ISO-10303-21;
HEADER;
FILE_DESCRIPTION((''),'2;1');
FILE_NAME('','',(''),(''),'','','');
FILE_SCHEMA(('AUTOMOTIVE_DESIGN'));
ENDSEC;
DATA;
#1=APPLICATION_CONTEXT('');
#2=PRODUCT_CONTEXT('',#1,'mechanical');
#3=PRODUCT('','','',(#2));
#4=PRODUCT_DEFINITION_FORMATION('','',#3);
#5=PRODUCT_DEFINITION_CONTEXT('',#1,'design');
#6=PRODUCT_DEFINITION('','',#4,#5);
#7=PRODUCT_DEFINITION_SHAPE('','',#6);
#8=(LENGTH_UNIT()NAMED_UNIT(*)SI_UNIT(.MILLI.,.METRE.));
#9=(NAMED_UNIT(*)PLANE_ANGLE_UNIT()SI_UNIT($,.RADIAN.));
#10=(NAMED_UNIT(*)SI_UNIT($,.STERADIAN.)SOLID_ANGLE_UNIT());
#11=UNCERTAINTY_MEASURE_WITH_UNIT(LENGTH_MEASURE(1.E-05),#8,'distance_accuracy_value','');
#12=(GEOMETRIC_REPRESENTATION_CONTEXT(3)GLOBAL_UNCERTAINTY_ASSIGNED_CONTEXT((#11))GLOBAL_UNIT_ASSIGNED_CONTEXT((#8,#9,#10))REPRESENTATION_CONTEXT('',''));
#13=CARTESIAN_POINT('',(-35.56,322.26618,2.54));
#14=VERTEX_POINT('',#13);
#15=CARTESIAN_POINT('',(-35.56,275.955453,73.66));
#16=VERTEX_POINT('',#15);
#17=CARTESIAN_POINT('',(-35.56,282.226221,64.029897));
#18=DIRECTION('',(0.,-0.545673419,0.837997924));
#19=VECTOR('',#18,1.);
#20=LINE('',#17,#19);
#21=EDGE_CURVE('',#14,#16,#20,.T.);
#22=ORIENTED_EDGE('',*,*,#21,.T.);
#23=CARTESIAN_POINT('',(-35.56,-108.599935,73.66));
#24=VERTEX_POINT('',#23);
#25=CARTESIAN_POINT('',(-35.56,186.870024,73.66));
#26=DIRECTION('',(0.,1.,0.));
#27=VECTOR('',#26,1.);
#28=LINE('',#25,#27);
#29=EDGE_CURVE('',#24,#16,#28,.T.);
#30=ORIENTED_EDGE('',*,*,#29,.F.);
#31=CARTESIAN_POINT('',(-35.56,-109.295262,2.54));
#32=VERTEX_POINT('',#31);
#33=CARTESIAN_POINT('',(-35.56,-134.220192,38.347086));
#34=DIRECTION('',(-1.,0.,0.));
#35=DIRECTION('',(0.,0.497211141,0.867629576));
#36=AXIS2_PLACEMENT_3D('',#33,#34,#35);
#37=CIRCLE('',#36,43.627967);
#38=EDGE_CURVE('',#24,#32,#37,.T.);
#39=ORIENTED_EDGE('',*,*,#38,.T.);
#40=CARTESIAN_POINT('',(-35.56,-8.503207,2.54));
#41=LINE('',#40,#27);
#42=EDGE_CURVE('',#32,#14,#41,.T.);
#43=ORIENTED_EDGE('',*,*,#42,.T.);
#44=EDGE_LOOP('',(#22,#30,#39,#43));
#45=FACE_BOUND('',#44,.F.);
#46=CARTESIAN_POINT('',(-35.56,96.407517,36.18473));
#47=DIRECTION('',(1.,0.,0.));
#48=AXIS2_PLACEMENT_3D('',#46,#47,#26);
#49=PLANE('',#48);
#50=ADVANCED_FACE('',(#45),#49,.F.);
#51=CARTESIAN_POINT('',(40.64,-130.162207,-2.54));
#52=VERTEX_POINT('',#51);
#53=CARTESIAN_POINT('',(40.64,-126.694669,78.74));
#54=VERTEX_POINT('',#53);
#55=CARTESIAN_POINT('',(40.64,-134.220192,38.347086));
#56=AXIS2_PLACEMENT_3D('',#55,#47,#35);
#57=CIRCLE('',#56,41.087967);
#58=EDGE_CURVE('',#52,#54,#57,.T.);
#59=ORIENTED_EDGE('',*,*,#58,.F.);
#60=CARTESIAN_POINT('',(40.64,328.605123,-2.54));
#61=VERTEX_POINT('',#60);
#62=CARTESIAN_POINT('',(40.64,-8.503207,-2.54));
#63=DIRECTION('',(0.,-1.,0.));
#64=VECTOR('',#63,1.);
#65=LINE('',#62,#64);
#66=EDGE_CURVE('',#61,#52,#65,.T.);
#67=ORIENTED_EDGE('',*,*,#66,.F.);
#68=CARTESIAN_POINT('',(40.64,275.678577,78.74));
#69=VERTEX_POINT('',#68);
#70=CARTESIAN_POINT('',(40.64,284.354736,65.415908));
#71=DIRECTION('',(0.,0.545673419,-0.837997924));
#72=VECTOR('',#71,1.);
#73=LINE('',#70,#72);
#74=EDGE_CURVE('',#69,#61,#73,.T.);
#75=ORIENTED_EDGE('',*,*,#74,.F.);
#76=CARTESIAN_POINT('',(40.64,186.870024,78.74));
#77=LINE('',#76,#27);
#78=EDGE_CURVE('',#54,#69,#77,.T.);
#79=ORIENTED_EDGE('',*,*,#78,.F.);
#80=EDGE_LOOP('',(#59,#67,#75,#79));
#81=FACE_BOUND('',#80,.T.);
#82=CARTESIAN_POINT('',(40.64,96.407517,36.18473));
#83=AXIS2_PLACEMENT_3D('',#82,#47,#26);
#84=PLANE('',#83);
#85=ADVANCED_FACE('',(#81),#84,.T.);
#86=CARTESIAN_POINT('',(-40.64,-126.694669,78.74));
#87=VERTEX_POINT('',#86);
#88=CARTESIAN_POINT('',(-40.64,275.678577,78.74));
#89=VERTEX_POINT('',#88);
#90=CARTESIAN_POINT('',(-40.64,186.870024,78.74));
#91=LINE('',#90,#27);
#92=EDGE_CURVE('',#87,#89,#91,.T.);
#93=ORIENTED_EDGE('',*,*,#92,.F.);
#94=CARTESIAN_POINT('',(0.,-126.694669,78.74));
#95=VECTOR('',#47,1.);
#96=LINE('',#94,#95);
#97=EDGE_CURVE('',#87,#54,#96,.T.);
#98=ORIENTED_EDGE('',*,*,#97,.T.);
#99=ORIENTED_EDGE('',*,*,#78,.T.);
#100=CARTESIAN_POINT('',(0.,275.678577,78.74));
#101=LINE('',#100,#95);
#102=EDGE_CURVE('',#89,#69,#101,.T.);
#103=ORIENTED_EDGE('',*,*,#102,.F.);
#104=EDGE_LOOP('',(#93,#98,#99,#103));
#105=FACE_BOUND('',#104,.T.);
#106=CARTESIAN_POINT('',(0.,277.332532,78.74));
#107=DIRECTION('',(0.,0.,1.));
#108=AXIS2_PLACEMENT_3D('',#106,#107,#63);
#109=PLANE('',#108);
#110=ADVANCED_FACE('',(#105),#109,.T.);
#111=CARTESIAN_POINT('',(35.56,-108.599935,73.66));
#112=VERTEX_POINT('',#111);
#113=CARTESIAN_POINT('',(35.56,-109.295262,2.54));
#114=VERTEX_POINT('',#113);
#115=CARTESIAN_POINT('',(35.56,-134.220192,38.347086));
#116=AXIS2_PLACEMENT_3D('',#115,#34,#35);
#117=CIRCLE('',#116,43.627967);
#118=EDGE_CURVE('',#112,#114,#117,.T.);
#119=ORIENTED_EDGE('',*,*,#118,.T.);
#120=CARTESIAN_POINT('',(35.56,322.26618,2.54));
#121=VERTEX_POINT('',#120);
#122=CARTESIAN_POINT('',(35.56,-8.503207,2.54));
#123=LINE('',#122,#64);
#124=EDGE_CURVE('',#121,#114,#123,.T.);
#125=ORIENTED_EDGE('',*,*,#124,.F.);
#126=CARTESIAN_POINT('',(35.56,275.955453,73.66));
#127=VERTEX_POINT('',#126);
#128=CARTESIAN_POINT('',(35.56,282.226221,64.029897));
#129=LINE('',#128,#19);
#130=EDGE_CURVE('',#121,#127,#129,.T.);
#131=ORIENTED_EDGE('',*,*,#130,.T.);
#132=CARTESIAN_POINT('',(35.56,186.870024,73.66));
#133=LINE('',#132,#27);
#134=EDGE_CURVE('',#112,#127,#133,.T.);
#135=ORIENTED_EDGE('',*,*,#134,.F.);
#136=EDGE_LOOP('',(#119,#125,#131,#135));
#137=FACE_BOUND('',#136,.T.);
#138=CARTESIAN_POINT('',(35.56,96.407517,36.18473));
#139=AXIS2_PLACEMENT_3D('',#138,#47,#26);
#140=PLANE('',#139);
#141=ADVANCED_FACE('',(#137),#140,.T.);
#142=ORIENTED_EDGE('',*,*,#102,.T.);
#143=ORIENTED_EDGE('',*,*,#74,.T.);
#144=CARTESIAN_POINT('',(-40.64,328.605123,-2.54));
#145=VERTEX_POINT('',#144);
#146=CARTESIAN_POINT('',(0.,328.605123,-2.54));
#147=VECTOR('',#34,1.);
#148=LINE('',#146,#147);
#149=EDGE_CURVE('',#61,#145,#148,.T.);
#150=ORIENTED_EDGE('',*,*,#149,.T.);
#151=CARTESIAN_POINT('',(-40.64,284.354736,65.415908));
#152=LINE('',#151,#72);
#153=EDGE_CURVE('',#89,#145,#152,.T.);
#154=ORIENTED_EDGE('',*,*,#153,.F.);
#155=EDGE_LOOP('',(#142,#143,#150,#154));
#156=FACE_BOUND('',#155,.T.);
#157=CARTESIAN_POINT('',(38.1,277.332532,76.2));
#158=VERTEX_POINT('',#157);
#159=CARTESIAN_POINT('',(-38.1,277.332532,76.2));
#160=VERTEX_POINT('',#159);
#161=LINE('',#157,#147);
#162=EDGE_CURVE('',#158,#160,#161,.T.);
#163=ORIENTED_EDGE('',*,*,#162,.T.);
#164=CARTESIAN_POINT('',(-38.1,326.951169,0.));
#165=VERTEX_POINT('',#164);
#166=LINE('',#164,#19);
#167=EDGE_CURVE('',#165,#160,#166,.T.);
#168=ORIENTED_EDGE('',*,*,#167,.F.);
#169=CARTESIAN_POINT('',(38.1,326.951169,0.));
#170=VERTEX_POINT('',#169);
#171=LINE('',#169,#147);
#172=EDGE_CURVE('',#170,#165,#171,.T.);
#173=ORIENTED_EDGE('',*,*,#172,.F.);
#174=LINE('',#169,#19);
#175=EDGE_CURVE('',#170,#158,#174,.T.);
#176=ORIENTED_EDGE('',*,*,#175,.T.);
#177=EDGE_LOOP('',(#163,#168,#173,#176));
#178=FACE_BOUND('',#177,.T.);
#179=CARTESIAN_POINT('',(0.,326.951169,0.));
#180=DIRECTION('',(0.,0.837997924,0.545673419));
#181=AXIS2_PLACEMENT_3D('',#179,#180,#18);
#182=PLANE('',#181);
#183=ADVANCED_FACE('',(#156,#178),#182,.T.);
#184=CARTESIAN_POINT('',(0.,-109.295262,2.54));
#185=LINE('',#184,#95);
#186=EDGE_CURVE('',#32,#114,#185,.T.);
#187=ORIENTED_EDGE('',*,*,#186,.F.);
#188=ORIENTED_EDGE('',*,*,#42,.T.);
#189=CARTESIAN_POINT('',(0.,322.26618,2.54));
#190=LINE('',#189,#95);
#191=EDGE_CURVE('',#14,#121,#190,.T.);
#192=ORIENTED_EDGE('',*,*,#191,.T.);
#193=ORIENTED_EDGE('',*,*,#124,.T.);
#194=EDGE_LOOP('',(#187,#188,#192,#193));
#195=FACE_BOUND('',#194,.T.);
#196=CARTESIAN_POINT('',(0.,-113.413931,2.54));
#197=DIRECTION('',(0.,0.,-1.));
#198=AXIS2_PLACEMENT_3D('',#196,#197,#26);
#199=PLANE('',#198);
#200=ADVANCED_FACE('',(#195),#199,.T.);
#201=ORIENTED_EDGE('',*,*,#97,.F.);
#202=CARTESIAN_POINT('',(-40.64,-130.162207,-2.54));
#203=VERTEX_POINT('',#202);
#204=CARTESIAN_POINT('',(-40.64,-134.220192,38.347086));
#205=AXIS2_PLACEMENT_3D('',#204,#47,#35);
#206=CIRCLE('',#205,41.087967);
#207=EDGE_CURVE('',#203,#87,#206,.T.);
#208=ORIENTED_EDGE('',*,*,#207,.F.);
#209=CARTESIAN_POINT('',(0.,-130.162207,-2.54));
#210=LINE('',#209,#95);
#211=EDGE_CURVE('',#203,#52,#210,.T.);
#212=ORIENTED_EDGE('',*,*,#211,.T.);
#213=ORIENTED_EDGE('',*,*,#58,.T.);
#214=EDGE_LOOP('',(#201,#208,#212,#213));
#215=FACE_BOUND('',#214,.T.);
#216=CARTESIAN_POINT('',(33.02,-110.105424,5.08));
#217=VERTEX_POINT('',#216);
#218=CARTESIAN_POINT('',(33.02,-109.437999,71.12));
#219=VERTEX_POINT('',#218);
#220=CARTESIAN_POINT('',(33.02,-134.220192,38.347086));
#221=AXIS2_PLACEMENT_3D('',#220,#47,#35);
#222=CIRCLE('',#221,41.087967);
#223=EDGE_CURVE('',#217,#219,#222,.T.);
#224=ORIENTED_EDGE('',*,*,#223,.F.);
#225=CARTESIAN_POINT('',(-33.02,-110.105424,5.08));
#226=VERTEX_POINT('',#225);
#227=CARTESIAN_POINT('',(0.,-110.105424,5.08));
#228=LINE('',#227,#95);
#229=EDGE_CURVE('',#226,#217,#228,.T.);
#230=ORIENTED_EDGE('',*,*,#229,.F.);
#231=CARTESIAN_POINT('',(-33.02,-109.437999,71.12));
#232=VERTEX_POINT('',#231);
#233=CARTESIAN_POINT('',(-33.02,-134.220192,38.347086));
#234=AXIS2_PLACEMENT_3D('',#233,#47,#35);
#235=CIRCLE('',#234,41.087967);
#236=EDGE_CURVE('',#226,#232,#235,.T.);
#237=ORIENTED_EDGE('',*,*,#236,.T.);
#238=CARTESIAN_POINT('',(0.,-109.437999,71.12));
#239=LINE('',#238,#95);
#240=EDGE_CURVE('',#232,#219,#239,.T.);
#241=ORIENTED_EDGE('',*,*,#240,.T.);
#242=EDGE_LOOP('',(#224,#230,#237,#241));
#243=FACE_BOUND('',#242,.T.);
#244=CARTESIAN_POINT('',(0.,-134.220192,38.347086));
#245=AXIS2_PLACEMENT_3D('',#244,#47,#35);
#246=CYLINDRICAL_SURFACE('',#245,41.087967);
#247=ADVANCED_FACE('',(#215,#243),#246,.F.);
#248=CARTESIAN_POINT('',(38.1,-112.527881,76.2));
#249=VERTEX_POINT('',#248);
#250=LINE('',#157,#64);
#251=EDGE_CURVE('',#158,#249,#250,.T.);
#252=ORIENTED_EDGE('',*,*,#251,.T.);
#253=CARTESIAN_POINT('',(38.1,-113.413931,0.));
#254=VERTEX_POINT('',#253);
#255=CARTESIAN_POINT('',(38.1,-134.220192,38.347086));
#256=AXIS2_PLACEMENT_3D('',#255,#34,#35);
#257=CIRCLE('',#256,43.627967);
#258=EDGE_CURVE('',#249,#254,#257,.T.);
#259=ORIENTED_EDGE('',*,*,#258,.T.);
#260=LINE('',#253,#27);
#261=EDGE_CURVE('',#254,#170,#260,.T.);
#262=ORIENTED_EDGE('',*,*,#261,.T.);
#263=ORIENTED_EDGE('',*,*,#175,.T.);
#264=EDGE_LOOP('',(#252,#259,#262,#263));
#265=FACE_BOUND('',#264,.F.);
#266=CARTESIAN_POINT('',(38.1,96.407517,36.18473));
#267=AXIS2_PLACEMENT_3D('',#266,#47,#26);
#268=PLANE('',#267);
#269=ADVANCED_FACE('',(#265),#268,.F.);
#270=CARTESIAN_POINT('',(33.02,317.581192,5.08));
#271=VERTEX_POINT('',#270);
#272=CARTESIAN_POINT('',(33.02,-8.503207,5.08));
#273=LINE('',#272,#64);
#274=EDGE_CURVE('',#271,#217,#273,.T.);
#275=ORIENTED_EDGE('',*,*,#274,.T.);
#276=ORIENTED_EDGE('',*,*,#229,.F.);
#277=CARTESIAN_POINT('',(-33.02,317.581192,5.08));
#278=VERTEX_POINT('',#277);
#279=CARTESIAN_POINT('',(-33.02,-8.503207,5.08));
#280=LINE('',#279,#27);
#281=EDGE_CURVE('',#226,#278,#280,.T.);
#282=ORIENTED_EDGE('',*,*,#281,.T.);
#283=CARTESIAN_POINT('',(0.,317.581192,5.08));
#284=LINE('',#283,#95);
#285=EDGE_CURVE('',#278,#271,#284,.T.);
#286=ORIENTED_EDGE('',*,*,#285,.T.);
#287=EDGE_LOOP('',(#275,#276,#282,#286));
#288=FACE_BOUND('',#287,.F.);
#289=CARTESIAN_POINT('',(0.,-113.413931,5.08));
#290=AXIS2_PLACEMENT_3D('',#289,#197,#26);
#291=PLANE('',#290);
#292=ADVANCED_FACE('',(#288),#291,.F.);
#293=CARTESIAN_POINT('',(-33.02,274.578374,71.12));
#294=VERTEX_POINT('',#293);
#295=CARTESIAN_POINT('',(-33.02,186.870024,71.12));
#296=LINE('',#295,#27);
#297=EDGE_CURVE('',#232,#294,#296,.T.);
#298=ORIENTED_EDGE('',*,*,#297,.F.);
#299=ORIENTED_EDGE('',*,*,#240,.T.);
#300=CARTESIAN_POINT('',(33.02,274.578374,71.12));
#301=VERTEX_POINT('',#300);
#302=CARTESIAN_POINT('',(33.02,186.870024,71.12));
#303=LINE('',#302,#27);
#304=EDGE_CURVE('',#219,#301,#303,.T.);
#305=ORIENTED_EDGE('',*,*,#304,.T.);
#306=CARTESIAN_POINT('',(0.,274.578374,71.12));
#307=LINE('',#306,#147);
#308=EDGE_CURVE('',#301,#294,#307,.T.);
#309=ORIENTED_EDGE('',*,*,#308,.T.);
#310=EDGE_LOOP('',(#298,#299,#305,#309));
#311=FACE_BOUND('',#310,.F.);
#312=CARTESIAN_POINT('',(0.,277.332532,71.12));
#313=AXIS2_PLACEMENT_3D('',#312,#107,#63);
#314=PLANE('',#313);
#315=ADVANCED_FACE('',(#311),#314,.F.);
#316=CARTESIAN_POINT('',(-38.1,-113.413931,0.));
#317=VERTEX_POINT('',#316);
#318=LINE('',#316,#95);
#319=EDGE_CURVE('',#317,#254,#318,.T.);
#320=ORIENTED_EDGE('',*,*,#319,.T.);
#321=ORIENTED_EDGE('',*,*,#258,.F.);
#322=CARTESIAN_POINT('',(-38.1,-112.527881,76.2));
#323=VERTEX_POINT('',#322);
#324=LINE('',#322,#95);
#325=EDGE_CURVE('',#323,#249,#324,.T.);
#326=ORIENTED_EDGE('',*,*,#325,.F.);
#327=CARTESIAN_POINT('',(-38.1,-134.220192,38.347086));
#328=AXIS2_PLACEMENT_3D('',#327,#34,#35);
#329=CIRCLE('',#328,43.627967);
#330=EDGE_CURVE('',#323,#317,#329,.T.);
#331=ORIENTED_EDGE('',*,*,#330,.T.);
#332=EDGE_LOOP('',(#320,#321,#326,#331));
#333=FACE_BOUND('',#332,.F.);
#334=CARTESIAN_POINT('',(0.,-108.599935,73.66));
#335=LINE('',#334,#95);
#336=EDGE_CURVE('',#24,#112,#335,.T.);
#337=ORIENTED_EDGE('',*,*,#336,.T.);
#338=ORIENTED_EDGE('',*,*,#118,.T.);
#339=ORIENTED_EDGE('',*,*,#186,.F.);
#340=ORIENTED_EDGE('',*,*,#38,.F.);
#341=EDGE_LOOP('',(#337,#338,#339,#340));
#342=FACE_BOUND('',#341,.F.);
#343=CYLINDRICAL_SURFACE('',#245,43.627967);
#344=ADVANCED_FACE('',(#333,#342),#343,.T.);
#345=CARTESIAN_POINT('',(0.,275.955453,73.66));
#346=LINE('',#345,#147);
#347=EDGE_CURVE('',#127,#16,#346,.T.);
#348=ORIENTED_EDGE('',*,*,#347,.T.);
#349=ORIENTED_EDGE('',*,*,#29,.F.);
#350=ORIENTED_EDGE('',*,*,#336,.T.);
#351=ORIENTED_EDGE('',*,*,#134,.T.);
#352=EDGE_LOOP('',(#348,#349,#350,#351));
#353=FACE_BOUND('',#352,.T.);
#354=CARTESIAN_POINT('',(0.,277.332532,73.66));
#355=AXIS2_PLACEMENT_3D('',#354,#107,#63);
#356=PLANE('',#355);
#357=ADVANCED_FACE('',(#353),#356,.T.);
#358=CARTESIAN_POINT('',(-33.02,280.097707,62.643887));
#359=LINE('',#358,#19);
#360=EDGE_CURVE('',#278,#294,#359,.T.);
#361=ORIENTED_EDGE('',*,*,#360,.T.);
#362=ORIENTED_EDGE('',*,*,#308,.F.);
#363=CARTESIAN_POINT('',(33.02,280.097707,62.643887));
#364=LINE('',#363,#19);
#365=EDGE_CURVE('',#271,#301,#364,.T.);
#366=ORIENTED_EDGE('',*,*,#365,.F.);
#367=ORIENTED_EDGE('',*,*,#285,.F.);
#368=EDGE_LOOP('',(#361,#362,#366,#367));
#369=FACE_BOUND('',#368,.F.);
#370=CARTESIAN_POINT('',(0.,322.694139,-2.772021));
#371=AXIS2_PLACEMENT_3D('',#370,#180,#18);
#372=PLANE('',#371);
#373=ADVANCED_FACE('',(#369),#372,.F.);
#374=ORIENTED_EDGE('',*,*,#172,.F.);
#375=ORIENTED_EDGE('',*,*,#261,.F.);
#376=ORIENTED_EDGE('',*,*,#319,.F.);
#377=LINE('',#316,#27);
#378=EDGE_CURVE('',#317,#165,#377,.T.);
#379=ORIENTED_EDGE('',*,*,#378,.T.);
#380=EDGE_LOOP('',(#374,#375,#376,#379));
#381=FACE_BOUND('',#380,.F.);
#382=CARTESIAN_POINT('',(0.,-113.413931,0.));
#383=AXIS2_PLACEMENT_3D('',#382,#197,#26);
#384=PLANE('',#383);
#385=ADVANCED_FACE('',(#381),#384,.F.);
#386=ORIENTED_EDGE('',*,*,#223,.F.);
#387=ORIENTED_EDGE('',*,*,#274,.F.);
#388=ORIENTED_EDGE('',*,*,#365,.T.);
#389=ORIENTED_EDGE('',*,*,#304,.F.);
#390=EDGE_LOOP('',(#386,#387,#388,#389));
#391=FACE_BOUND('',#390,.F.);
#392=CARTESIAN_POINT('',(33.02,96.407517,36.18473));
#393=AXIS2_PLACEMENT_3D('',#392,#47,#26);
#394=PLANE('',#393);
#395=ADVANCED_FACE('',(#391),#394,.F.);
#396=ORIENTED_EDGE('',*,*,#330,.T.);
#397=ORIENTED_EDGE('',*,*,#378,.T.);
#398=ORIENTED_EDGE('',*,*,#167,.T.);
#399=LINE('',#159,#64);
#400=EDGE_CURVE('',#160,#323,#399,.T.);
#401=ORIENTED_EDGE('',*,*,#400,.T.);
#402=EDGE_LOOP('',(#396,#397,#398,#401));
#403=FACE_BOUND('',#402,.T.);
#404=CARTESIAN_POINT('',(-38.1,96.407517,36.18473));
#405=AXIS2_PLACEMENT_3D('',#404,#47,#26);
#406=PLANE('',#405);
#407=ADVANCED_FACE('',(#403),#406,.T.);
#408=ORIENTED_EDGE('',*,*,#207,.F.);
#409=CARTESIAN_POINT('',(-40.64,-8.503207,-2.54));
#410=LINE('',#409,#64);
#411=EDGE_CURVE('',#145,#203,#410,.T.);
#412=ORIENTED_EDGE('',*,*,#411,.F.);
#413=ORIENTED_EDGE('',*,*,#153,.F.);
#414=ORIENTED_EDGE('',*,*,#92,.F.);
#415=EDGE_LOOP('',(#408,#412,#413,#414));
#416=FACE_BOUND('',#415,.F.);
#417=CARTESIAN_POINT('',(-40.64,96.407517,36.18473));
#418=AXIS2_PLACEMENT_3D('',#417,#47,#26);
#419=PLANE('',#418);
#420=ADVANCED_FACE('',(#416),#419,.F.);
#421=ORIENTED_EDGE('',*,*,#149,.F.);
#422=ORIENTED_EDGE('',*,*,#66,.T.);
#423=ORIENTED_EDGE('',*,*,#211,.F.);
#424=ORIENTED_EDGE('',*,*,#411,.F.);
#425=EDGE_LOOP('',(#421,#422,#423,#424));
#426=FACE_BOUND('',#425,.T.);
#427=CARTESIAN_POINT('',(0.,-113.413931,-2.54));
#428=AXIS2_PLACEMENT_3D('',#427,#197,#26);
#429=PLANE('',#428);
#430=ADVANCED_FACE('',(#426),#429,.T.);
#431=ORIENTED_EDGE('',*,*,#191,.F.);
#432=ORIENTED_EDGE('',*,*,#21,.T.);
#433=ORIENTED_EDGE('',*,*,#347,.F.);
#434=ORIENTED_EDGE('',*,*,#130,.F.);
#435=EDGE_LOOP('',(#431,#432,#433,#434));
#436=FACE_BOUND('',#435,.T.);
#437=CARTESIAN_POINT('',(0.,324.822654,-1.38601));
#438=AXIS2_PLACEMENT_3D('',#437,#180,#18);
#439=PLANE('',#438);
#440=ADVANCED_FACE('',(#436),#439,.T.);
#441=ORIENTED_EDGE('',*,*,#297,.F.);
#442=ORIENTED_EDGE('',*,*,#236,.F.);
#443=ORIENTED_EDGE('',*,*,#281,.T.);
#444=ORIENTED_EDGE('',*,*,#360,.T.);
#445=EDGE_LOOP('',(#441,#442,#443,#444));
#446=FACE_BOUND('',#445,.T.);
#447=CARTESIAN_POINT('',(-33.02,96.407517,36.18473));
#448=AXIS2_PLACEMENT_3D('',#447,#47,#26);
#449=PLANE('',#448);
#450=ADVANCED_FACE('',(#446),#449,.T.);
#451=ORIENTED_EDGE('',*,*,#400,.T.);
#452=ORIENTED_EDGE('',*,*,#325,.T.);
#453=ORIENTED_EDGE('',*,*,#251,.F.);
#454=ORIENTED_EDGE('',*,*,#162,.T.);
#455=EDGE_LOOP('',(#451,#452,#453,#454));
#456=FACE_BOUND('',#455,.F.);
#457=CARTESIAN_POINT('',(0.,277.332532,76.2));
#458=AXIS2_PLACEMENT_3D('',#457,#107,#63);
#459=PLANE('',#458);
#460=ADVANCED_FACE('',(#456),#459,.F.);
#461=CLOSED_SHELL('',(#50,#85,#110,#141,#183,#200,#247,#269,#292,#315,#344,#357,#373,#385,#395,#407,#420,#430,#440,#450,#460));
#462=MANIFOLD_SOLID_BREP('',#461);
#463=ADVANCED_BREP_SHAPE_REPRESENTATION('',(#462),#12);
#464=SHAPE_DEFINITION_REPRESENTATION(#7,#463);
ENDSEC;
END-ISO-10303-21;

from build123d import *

# Parameters (mm, degrees)
F1_DEPTH = 38.1
F2_T     = -2.54
F3_T     = 2.54


with BuildPart() as f1:
    # F0 (on Right) → F1 (new body, symmetric)
    with BuildSketch(Plane.YZ):
        with BuildLine():
            Line((277.3325320094, 76.2), (-112.5278806646, 76.2))
            ThreePointArc((-112.5278806646, 76.2), (-90.5951741668, 37.8398160871), (-113.4139305449, 0))
            Line((-113.4139305449, 0), (326.9511687087, 0))
            Line((326.9511687087, 0), (277.3325320094, 76.2))
        make_face()
    extrude(amount=F1_DEPTH, both=True)

    # F2
    f2_openings = [f1.faces().sort_by_distance(p)[0] for p in [
        (0, -90.595174, 37.839816),
    ]]
    offset(amount=F2_T, openings=f2_openings)

    # F3
    f3_openings = [f1.faces().sort_by_distance(p)[0] for p in [
        (0, 302.14185, 38.1),
    ]]
    offset(amount=F3_T, openings=f3_openings, kind=Kind.INTERSECTION)


solid = f1.part
